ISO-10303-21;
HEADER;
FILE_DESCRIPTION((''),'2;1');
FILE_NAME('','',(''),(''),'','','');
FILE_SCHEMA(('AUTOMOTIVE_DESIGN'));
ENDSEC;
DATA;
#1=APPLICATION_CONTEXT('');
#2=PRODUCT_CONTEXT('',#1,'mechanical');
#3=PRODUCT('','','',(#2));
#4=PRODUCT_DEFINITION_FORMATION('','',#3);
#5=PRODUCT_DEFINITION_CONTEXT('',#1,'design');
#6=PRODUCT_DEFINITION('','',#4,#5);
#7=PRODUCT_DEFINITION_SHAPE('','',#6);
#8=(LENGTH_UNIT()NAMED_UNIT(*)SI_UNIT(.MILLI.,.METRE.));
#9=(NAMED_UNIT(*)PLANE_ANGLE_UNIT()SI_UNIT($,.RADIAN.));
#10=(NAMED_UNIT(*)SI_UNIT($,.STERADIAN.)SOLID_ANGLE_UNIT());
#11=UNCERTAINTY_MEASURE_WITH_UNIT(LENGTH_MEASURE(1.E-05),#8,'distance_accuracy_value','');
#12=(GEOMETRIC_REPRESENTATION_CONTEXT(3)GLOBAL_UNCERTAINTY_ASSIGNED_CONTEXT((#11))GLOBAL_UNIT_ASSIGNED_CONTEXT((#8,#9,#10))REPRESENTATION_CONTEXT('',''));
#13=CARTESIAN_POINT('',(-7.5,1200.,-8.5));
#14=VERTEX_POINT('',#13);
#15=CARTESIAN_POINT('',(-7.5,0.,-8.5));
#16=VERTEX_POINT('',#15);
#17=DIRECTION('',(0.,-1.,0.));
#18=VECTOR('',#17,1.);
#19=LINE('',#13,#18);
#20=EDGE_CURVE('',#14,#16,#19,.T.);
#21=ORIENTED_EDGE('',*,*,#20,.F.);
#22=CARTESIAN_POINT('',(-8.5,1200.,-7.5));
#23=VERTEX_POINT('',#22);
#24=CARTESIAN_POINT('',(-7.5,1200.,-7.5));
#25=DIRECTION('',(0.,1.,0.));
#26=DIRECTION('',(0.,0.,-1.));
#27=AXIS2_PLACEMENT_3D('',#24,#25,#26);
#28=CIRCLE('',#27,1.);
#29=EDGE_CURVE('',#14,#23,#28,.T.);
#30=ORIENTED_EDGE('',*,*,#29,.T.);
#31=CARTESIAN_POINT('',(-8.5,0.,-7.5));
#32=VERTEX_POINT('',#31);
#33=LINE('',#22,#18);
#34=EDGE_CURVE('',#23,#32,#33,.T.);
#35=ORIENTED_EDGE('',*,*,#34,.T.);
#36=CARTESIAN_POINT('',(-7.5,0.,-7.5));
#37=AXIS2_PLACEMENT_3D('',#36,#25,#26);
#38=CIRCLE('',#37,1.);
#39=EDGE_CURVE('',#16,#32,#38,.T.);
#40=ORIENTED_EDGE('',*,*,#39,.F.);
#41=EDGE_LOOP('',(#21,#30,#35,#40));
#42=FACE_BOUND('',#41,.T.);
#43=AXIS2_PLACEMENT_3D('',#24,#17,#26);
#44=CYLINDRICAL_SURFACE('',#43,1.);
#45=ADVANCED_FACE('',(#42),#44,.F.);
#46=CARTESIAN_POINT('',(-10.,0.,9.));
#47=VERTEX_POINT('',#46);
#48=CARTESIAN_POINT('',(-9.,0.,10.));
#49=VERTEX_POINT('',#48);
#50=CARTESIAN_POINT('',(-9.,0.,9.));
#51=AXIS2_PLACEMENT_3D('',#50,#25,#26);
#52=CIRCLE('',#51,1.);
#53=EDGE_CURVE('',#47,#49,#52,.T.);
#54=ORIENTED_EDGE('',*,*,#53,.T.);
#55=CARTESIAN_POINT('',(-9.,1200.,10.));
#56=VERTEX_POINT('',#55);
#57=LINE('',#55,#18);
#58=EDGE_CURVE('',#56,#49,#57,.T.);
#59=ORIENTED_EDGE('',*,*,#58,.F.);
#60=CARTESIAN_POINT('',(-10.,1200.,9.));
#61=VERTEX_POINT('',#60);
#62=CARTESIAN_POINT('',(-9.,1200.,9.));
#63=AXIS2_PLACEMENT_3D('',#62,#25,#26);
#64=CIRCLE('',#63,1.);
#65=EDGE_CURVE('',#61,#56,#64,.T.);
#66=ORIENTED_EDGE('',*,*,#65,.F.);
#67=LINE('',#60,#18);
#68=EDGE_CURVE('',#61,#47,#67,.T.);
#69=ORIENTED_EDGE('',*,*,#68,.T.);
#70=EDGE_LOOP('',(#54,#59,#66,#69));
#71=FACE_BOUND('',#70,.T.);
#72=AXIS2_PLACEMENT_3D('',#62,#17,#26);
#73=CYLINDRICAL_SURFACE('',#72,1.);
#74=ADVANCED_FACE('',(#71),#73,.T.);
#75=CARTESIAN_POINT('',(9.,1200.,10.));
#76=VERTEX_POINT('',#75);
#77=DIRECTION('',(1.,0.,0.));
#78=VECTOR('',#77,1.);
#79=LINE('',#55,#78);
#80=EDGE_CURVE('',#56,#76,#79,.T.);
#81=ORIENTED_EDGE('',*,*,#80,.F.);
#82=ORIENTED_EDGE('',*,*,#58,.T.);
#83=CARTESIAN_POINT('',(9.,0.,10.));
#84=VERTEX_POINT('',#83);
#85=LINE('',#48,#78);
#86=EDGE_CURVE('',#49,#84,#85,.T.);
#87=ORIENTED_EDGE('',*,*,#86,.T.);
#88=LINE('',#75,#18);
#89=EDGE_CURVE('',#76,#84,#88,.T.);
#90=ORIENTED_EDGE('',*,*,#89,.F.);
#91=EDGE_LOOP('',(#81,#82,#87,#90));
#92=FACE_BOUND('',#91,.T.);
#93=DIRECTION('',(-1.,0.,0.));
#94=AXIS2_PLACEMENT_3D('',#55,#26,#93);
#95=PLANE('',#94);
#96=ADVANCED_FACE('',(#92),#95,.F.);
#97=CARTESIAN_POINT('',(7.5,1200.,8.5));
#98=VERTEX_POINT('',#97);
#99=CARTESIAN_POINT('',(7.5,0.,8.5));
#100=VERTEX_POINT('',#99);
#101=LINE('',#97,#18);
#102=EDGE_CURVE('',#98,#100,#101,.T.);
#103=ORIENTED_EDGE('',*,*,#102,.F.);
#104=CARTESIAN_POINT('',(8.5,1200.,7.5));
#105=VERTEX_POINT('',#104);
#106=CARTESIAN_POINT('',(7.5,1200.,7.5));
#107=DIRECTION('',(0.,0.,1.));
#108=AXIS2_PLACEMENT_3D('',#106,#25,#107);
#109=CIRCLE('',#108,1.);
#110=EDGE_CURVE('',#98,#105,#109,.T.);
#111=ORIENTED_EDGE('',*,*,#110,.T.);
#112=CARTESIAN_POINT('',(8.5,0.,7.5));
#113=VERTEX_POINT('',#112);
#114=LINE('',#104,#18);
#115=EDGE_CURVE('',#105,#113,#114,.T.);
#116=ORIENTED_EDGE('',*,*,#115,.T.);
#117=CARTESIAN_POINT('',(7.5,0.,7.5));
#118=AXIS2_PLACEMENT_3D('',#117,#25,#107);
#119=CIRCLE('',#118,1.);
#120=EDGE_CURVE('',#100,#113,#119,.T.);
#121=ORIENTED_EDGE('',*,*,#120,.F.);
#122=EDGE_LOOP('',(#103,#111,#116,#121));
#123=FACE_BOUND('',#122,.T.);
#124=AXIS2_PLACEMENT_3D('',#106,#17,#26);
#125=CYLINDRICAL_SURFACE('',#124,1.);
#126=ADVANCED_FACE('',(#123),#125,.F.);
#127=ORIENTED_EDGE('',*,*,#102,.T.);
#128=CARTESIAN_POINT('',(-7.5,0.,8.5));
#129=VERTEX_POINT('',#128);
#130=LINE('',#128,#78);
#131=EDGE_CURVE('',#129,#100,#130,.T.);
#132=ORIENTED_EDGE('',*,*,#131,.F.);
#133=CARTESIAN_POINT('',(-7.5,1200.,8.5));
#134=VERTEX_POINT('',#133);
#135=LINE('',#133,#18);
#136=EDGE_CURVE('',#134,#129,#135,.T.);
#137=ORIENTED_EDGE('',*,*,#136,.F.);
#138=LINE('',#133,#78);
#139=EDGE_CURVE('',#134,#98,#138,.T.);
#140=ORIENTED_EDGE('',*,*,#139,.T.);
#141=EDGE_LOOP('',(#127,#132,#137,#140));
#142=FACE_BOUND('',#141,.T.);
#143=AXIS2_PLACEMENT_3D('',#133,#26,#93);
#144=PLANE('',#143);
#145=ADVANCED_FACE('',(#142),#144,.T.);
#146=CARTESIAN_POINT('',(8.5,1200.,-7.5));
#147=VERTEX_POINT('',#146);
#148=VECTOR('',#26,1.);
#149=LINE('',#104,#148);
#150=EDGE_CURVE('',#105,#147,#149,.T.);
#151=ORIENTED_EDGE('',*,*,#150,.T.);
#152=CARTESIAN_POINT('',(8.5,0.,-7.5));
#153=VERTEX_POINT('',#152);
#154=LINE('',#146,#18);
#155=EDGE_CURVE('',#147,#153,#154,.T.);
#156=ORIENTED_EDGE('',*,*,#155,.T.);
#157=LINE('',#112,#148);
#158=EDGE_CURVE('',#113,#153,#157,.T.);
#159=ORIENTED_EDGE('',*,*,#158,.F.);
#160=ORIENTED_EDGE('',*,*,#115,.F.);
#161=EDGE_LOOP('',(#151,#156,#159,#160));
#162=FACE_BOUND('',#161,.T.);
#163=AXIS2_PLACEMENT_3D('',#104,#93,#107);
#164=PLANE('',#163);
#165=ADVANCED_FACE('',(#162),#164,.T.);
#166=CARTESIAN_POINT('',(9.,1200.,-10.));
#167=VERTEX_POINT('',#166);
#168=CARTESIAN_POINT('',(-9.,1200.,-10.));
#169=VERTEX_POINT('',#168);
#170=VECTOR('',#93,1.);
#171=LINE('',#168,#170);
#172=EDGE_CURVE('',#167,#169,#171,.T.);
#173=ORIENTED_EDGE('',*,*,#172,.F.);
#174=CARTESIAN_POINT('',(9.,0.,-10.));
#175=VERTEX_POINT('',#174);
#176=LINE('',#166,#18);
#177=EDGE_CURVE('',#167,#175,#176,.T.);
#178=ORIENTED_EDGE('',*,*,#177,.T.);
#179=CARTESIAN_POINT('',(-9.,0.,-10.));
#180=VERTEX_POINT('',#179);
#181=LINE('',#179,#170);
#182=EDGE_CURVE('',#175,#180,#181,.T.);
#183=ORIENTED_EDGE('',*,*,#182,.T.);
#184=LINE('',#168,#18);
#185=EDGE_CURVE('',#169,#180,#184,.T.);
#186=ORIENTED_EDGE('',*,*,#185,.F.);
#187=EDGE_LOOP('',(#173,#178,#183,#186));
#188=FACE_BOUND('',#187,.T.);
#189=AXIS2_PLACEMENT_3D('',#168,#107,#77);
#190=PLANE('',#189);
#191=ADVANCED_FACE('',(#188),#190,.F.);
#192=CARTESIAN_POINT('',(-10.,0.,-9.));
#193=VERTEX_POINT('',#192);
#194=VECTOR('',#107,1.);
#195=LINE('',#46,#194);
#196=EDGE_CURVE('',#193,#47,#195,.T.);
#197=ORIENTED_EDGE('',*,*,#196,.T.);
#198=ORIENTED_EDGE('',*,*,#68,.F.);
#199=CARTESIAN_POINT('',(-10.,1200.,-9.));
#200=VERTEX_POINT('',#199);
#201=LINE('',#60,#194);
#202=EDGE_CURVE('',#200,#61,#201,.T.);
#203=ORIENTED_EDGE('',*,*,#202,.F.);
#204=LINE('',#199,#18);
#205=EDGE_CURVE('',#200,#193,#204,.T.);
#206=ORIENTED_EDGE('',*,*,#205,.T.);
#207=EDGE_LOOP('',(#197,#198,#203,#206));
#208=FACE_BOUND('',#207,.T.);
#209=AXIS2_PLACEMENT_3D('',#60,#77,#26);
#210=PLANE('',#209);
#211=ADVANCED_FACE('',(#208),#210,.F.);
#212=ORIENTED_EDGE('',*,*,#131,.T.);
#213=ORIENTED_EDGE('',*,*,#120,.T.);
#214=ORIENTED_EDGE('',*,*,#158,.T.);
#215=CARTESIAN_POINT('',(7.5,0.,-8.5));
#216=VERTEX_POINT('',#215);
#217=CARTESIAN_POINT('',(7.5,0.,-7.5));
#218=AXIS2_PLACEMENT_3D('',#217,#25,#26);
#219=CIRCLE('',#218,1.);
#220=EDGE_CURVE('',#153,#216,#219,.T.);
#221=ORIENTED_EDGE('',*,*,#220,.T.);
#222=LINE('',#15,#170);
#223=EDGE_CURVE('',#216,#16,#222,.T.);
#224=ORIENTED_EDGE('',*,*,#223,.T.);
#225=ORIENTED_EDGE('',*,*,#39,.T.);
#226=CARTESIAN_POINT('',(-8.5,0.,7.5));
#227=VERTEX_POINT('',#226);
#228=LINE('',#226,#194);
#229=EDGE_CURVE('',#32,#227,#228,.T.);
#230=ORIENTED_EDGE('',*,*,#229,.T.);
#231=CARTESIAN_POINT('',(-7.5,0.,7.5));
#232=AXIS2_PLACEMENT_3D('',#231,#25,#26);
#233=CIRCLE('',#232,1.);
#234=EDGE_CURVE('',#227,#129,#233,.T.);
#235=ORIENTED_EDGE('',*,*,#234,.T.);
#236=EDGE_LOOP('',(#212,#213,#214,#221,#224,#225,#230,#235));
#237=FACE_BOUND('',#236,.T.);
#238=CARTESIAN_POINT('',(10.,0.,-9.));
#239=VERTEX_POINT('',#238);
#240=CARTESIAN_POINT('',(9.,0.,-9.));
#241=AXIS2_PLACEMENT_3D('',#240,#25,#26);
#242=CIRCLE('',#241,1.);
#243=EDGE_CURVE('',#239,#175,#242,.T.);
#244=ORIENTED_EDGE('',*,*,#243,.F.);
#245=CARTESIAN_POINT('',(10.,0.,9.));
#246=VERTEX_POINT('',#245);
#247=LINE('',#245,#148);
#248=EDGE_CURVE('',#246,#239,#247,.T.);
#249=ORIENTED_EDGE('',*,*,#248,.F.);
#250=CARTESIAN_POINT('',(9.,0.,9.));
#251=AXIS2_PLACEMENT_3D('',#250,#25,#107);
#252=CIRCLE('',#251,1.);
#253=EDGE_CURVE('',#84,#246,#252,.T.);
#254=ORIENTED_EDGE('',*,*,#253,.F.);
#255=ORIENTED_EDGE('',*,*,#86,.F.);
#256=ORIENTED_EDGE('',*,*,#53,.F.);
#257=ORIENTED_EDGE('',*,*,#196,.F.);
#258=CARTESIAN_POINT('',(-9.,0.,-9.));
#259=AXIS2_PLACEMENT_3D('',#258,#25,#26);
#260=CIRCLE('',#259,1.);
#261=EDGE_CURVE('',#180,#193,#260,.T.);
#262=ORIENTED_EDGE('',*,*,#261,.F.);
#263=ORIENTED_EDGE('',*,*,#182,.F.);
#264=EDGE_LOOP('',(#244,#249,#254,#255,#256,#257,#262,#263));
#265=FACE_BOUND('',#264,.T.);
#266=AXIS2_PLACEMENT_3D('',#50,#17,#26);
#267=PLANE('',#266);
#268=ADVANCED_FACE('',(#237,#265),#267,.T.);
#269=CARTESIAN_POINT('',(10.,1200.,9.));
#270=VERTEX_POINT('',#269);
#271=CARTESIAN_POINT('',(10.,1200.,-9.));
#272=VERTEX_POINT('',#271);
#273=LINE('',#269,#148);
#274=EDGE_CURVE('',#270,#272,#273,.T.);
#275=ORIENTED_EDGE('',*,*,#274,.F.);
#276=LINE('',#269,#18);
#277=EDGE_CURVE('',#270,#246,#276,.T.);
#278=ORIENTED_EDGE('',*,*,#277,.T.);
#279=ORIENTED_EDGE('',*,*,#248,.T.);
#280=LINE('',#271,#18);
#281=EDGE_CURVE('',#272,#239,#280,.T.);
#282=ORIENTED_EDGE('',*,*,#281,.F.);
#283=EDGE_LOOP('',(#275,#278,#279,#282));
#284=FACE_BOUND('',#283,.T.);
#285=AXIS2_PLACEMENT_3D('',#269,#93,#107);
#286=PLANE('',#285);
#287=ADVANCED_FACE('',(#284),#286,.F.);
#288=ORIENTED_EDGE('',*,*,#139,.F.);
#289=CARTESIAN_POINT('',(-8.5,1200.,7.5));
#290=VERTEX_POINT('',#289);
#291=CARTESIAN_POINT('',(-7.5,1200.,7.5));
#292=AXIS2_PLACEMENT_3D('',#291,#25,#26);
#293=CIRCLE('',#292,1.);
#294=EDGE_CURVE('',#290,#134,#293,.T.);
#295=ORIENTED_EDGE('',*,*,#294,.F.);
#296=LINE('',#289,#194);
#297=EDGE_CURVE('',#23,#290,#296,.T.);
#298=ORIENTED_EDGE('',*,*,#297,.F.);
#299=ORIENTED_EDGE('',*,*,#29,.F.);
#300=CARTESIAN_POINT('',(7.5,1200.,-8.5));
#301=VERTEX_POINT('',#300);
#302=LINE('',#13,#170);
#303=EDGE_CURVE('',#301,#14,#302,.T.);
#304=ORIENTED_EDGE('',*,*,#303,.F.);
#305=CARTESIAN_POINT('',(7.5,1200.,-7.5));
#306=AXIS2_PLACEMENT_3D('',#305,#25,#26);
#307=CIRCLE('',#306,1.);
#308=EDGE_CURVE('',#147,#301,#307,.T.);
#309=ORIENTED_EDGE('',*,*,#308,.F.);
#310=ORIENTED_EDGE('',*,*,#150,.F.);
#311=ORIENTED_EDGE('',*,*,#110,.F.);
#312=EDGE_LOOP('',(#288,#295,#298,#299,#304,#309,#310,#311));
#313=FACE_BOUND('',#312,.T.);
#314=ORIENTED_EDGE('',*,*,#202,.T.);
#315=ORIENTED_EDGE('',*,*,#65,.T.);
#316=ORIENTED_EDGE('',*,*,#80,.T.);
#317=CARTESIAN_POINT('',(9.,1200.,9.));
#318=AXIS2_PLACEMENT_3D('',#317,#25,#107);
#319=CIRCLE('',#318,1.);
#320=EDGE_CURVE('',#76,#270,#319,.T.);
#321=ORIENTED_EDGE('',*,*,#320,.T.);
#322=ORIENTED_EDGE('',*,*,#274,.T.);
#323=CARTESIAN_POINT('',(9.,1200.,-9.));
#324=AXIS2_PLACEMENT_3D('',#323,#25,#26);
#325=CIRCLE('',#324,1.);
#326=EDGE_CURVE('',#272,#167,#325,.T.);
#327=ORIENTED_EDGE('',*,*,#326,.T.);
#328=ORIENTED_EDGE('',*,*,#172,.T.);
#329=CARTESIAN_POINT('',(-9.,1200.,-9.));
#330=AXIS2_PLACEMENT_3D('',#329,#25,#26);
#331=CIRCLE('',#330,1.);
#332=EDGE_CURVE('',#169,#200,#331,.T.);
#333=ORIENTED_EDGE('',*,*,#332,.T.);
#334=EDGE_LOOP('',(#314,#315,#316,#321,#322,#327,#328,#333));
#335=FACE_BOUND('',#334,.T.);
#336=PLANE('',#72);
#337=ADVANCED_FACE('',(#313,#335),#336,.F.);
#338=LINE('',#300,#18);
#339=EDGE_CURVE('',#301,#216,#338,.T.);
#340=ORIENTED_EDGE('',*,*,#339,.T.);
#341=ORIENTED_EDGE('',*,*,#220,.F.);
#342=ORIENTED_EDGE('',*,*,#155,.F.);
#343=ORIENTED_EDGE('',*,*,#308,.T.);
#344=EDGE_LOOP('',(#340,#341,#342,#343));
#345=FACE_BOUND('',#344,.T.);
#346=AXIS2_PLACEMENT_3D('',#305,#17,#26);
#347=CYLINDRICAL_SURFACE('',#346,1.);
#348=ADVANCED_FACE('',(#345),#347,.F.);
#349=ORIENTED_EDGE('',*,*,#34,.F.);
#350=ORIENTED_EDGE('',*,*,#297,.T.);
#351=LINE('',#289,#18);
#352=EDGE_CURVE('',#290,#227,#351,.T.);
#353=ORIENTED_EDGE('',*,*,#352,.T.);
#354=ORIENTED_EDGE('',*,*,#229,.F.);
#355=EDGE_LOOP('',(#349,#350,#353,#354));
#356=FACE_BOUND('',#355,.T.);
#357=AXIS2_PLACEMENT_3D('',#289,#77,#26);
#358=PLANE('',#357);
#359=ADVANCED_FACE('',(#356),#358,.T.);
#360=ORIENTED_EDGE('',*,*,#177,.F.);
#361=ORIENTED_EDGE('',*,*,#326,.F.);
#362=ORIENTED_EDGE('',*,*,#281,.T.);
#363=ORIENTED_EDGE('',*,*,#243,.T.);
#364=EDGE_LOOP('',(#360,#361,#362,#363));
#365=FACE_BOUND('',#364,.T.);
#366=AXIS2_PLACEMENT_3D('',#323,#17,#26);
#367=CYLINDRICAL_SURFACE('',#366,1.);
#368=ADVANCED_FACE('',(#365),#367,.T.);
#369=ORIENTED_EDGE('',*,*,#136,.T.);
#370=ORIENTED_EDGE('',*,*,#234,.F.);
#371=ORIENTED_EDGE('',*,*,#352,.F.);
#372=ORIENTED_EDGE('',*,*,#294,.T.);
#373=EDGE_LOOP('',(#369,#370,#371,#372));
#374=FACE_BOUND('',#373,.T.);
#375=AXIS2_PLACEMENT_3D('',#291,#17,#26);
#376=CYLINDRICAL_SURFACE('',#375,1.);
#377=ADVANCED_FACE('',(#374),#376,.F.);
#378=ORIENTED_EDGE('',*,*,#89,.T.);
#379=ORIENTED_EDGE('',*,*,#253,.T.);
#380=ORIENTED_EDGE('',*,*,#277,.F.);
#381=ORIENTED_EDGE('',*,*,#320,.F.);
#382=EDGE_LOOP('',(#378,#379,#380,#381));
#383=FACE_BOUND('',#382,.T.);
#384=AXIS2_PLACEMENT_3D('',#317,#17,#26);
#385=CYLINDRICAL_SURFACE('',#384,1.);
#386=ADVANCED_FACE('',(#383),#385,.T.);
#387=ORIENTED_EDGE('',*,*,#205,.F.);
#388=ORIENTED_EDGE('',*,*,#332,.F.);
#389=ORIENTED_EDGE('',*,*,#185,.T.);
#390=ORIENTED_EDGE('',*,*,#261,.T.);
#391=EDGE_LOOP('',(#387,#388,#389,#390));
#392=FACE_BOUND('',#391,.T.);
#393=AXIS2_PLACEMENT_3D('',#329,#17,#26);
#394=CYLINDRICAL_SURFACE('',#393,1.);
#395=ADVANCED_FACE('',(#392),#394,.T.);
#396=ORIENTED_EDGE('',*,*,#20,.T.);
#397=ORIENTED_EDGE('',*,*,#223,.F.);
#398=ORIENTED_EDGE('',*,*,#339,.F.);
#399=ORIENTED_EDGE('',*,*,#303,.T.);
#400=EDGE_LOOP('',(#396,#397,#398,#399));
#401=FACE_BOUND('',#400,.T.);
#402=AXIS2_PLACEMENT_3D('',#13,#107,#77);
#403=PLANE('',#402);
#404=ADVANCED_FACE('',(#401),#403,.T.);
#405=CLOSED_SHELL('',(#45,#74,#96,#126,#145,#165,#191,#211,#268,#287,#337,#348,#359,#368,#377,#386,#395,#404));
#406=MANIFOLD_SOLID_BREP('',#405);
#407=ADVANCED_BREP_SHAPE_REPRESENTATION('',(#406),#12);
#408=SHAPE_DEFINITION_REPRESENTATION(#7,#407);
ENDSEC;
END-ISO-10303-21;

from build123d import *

# Parameters (mm, degrees)
BOSS_EXTRUDE1_DEPTH = 1200


with BuildPart() as part:
    # Sketch1 → Boss-Extrude1 (new body)
    with BuildSketch(Plane(origin=(0, 0, 0), x_dir=(1, 0, 0), z_dir=(0, 1, 0))):
        with BuildLine():
            Line((-9, -10), (9, -10))
            ThreePointArc((9, -10), (9.707106781, -9.707106781), (10, -9))
            Line((10, -9), (10, 9))
            ThreePointArc((10, 9), (9.707106781, 9.707106781), (9, 10))
            Line((9, 10), (-9, 10))
            ThreePointArc((-9, 10), (-9.707106781, 9.707106781), (-10, 9))
            Line((-10, 9), (-10, -9))
            ThreePointArc((-10, -9), (-9.707106781, -9.707106781), (-9, -10))
        make_face()
        with BuildLine():
            Line((-7.5, -8.5), (7.5, -8.5))
            ThreePointArc((7.5, -8.5), (8.207106781, -8.207106781), (8.5, -7.5))
            Line((8.5, -7.5), (8.5, 7.5))
            ThreePointArc((8.5, 7.5), (8.207106781, 8.207106781), (7.5, 8.5))
            Line((7.5, 8.5), (-7.5, 8.5))
            ThreePointArc((-7.5, 8.5), (-8.207106781, 8.207106781), (-8.5, 7.5))
            Line((-8.5, 7.5), (-8.5, -7.5))
            ThreePointArc((-8.5, -7.5), (-8.207106781, -8.207106781), (-7.5, -8.5))
        make_face(mode=Mode.SUBTRACT)
    extrude(amount=BOSS_EXTRUDE1_DEPTH)


solid = part.part
